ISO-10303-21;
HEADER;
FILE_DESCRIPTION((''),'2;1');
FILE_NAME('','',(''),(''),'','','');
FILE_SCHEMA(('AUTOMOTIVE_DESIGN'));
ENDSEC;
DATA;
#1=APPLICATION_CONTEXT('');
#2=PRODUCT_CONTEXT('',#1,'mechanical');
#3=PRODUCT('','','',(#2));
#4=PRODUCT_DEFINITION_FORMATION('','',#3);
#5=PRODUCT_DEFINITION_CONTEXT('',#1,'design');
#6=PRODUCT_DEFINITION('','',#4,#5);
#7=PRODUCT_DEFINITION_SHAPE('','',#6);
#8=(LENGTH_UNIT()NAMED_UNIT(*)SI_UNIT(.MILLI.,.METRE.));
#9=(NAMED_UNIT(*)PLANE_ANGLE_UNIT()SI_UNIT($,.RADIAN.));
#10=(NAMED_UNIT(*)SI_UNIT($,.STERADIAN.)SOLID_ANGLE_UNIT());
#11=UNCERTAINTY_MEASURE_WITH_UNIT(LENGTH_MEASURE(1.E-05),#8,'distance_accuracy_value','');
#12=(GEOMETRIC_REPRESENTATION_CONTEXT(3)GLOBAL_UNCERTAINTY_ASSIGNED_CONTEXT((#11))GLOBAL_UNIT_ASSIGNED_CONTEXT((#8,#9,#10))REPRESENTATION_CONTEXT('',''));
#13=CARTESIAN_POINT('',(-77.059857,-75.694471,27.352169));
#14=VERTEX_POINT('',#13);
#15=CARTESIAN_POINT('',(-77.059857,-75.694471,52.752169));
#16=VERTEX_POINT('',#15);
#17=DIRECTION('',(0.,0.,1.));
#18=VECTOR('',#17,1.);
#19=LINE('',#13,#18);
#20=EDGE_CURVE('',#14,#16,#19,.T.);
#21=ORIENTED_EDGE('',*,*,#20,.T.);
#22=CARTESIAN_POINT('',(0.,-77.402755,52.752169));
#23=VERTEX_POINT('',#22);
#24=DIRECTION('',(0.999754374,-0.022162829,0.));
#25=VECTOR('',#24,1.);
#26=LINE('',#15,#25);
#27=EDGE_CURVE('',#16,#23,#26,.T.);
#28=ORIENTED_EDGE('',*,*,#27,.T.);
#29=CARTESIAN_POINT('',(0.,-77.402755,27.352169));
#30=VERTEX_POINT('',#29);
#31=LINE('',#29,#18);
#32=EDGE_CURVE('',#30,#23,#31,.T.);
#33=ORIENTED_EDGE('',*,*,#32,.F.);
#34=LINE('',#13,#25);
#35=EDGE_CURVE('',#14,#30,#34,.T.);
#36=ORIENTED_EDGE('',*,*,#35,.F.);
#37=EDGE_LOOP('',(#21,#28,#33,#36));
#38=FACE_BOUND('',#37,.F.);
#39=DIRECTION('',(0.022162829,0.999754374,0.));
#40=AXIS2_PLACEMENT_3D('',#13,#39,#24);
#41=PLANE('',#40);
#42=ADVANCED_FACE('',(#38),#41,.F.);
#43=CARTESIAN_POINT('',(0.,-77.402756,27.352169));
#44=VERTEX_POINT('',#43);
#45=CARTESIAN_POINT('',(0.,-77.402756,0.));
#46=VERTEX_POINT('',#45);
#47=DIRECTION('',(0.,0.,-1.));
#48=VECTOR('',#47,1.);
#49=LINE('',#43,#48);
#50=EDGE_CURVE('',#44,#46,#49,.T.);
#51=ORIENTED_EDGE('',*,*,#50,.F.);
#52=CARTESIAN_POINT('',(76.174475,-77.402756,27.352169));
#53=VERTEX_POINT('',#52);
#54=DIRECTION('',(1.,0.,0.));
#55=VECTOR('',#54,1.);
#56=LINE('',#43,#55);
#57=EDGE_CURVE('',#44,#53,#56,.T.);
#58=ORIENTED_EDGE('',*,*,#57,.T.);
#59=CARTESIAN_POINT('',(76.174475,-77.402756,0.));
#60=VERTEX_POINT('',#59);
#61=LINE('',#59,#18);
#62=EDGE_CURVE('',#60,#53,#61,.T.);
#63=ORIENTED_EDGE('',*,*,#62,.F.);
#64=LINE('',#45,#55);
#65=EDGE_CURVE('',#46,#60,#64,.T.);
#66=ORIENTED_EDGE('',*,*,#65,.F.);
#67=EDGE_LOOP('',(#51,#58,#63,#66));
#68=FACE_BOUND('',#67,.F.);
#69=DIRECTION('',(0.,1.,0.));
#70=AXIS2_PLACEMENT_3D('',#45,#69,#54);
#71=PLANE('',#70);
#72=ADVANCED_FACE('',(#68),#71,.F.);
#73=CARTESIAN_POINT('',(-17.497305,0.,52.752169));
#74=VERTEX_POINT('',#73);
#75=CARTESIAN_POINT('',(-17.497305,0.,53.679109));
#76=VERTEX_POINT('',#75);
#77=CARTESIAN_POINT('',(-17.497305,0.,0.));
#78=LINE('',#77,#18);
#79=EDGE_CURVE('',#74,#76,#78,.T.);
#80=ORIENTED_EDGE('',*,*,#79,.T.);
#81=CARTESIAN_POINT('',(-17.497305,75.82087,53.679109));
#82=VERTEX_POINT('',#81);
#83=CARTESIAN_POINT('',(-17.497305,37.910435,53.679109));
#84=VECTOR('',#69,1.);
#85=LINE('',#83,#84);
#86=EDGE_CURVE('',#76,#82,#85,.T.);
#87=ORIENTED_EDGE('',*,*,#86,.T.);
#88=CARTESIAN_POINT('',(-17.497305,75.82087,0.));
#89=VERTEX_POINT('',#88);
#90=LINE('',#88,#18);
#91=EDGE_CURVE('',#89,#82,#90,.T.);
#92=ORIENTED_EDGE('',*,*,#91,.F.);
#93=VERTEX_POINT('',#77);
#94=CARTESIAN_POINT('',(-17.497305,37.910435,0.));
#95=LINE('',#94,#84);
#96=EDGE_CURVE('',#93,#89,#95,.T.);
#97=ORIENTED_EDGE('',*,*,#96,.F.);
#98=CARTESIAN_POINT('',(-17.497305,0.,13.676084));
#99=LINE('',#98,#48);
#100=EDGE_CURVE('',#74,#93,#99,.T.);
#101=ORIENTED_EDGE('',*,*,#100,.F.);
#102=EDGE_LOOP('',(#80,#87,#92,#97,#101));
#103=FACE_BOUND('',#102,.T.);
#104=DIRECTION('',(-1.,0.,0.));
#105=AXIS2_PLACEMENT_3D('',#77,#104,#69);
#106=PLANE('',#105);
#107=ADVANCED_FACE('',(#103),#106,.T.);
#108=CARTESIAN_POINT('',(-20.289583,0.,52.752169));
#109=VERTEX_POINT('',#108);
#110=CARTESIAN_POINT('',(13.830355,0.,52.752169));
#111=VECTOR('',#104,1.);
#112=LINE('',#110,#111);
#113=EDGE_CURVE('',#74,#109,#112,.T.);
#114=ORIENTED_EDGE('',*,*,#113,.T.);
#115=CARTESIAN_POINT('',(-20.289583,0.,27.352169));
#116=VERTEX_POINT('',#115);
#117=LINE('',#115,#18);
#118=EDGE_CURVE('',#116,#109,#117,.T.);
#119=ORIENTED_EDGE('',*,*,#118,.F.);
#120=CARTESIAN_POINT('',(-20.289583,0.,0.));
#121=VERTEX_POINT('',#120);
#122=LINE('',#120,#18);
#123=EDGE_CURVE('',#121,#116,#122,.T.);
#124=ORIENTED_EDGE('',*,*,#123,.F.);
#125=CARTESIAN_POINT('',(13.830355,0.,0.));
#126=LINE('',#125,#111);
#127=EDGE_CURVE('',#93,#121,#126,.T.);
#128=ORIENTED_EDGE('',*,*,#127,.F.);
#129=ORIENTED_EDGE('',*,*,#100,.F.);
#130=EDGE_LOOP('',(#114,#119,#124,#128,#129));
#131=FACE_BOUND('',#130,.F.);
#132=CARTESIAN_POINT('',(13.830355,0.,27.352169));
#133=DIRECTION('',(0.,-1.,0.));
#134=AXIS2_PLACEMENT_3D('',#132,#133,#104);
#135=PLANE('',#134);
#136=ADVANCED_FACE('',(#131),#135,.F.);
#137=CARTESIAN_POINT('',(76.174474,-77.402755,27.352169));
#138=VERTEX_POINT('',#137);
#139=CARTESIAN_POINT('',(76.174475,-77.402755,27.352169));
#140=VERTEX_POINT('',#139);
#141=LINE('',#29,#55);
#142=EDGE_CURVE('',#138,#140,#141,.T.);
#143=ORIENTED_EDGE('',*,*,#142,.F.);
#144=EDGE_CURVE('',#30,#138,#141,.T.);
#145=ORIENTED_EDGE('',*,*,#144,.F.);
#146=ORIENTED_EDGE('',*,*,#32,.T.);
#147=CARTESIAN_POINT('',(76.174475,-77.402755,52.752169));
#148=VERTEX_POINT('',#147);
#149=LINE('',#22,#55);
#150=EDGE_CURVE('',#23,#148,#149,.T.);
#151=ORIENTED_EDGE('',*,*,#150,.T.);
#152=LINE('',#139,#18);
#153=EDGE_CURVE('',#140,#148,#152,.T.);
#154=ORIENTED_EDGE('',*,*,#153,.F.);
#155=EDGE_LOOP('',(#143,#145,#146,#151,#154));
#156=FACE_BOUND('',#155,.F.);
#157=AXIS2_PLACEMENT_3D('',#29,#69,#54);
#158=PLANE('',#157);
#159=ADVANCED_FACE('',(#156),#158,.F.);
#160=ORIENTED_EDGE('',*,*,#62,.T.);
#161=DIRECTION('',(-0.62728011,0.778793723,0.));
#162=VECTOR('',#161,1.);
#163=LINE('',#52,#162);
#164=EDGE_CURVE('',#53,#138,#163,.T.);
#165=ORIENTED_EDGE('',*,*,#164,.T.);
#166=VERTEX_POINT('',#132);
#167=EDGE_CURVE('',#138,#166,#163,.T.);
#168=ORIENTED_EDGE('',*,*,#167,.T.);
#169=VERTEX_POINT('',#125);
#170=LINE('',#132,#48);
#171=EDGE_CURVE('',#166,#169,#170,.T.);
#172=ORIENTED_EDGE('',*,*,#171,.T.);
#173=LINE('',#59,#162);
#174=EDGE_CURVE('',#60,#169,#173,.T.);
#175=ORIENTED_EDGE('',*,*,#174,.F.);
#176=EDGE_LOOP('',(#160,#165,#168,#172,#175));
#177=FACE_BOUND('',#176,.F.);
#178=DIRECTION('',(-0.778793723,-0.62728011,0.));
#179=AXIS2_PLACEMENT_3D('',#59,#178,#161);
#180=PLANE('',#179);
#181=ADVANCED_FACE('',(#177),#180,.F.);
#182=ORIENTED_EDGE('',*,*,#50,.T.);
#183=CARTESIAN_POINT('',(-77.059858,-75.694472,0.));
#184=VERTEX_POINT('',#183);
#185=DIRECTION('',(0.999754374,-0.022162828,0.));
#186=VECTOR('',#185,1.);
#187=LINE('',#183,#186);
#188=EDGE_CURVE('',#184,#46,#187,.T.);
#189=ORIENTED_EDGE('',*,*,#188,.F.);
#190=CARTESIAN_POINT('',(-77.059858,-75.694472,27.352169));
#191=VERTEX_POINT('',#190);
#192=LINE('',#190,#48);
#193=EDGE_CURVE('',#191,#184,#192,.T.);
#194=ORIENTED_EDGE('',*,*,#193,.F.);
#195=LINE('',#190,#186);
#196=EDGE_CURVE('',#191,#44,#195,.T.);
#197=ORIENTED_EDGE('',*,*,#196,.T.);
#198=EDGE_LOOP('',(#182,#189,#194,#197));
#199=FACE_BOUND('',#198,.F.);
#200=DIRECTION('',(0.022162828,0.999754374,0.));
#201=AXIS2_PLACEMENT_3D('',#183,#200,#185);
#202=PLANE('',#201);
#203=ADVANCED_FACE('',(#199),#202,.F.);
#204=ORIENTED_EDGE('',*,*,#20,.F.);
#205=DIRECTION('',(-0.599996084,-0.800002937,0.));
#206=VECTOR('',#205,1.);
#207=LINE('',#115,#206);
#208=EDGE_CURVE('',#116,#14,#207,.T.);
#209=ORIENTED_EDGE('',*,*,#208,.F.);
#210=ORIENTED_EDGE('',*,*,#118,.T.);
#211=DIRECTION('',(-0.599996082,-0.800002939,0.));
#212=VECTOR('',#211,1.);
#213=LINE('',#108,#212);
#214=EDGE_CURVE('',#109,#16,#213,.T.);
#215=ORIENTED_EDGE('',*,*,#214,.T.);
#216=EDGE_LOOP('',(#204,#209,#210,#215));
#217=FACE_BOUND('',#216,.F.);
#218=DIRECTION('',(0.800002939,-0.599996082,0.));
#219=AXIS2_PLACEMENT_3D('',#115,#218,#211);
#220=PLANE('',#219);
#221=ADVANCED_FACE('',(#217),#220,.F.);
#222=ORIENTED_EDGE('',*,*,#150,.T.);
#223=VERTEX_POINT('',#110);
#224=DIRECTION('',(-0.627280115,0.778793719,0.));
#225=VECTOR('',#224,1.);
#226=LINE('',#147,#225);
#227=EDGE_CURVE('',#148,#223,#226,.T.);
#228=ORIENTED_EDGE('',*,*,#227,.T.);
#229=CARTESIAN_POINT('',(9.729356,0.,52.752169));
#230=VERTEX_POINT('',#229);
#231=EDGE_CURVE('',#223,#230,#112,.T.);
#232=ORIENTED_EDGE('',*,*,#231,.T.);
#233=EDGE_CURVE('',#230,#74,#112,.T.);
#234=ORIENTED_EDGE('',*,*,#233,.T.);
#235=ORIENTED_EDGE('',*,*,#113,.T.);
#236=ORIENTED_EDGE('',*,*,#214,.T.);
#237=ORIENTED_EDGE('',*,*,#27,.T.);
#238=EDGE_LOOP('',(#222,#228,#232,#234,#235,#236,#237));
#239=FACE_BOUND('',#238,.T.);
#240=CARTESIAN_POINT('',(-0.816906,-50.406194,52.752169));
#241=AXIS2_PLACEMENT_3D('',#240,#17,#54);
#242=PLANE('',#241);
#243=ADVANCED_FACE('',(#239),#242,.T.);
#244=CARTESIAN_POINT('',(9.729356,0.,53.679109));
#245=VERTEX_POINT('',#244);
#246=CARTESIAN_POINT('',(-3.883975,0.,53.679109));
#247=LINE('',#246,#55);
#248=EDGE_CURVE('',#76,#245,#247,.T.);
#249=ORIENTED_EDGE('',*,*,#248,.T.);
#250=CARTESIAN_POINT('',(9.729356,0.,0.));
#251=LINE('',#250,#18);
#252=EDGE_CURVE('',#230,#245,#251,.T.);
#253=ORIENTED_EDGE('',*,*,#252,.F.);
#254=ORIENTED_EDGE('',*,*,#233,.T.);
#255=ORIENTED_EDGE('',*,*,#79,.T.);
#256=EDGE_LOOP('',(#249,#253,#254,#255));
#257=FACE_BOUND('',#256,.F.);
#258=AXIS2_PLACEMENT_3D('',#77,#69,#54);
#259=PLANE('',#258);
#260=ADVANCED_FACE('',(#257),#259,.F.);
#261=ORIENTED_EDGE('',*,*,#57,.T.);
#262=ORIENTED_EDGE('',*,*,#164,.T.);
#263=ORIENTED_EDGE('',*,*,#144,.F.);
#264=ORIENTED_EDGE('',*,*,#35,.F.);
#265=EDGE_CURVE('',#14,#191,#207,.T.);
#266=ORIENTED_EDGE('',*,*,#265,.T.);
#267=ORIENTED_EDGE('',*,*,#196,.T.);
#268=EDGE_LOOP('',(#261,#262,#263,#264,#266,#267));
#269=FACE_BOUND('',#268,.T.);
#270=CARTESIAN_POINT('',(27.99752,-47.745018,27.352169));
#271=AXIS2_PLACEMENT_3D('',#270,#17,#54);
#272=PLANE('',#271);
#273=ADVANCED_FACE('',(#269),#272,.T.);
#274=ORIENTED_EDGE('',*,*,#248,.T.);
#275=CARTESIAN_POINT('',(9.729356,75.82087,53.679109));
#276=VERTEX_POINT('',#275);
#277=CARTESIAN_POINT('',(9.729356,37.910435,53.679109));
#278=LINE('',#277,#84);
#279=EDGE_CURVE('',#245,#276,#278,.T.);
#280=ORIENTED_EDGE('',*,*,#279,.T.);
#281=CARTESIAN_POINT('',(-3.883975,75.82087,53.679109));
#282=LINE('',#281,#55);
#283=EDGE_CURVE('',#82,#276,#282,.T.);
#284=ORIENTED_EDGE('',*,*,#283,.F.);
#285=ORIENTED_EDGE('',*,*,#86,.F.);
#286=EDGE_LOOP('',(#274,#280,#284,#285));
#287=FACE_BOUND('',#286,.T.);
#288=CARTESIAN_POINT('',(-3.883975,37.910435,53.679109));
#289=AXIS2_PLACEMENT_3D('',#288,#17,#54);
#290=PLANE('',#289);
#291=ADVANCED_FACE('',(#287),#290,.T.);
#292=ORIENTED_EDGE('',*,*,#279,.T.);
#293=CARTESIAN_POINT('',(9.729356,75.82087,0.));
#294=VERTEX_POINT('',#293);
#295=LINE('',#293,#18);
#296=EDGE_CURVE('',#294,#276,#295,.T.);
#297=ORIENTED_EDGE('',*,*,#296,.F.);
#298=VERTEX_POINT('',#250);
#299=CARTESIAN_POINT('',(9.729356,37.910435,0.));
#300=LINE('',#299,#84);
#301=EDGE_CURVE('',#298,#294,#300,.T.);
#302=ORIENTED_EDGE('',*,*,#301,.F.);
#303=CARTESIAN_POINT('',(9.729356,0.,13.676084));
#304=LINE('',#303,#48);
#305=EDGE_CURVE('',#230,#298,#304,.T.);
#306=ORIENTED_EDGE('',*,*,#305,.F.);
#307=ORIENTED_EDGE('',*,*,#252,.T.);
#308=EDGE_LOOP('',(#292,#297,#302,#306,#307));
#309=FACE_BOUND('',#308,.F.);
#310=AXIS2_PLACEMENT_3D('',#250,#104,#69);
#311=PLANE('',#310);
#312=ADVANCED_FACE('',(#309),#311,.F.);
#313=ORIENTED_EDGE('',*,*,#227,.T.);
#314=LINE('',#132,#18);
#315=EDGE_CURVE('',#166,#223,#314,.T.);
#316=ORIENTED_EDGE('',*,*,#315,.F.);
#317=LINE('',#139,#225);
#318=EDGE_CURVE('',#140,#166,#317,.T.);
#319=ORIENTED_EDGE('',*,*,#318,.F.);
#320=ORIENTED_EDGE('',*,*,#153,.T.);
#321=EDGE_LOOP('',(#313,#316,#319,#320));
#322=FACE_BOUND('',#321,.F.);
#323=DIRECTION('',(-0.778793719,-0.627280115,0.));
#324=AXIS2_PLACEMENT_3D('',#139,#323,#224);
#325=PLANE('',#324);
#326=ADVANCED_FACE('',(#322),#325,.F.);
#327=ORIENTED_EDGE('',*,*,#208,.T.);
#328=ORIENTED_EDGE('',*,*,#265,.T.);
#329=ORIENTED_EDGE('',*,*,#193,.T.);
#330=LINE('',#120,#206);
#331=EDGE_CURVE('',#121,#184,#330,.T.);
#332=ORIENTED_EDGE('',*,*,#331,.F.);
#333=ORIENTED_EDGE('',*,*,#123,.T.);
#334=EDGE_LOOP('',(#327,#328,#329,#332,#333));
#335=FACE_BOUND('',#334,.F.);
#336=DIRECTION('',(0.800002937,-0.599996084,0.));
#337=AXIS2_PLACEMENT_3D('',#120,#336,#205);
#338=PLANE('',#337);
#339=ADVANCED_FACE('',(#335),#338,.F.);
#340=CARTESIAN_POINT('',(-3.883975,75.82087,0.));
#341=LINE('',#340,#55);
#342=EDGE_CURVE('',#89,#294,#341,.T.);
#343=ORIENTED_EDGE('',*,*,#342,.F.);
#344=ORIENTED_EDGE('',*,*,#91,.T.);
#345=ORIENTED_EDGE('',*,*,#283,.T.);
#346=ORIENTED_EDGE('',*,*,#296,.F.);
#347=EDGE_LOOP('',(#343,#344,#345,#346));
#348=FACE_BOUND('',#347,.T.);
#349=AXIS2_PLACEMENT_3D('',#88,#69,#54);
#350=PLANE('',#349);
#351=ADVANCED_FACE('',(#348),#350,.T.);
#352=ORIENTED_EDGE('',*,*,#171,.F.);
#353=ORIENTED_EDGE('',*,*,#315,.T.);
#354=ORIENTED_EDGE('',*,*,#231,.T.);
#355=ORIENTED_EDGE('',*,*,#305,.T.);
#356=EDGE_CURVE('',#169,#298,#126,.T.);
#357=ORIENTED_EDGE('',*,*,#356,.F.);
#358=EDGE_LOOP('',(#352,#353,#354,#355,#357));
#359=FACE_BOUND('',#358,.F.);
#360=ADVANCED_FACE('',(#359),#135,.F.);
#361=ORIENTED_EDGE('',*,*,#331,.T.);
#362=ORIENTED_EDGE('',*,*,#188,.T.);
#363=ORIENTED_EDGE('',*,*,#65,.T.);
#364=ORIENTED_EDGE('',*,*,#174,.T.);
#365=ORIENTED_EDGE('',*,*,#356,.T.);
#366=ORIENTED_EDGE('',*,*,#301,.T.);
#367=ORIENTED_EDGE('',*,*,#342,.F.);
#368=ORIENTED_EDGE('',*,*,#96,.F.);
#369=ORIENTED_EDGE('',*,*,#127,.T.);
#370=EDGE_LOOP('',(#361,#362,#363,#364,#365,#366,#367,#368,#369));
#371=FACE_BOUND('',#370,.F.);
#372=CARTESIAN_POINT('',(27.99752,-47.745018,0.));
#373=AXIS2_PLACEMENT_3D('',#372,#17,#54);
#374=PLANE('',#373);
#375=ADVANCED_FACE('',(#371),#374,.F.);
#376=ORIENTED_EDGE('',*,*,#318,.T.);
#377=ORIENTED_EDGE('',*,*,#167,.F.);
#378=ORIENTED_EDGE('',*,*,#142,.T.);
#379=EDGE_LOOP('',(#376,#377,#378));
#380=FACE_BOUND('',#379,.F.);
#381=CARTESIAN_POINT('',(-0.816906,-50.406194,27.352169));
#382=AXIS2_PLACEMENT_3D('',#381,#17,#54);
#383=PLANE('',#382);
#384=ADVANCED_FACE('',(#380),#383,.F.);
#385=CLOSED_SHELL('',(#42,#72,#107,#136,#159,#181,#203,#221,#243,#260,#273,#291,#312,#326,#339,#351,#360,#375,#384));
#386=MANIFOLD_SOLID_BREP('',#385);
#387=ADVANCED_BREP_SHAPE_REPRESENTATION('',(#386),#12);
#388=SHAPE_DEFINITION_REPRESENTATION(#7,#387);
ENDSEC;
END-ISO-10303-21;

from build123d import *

# Parameters (mm, degrees)
F1_DEPTH = 27.352169
F2_DEPTH = 25.4
F3_W     = 27.226661
F3_H     = 75.820871
F4_DEPTH = 53.679109


with BuildPart() as f1:
    # F0 (on Top) → F1 (new body)
    with BuildSketch(Plane.XY):
        Polygon((76.174475, -77.402756), (13.830355, 0), (0, 0), (0, -77.402756), align=None)
        Polygon((0, -77.402756), (0, 0), (-20.289583, 0), (-77.059858, -75.694472), align=None)
    extrude(amount=F1_DEPTH)

    # F1_face (on face) + F0 (on Top) → F2 (join)
    with BuildSketch(Plane(origin=(-1.466793, -46.658451, 27.352169), x_dir=(1, 0, 0), z_dir=(0, 0, 1))):
        Polygon((1.466793, -30.744304), (77.641268, -30.744304), (15.297148, 46.658451), (-18.82279, 46.658451), (-75.593064, -29.03602), align=None)
    with BuildSketch(Plane.XY):
        Polygon((76.174475, -77.402756), (13.830355, 0), (0, 0), (0, -77.402756), align=None)
        Polygon((0, -77.402756), (0, 0), (-20.289583, 0), (-77.059858, -75.694472), align=None)
    extrude(amount=F2_DEPTH)

    # F3 (on Top) → F4 (join)
    with BuildSketch(Plane.XY):
        with Locations((-3.883975, 37.910435)):
            Rectangle(F3_W, F3_H)
    extrude(amount=F4_DEPTH)


solid = f1.part
